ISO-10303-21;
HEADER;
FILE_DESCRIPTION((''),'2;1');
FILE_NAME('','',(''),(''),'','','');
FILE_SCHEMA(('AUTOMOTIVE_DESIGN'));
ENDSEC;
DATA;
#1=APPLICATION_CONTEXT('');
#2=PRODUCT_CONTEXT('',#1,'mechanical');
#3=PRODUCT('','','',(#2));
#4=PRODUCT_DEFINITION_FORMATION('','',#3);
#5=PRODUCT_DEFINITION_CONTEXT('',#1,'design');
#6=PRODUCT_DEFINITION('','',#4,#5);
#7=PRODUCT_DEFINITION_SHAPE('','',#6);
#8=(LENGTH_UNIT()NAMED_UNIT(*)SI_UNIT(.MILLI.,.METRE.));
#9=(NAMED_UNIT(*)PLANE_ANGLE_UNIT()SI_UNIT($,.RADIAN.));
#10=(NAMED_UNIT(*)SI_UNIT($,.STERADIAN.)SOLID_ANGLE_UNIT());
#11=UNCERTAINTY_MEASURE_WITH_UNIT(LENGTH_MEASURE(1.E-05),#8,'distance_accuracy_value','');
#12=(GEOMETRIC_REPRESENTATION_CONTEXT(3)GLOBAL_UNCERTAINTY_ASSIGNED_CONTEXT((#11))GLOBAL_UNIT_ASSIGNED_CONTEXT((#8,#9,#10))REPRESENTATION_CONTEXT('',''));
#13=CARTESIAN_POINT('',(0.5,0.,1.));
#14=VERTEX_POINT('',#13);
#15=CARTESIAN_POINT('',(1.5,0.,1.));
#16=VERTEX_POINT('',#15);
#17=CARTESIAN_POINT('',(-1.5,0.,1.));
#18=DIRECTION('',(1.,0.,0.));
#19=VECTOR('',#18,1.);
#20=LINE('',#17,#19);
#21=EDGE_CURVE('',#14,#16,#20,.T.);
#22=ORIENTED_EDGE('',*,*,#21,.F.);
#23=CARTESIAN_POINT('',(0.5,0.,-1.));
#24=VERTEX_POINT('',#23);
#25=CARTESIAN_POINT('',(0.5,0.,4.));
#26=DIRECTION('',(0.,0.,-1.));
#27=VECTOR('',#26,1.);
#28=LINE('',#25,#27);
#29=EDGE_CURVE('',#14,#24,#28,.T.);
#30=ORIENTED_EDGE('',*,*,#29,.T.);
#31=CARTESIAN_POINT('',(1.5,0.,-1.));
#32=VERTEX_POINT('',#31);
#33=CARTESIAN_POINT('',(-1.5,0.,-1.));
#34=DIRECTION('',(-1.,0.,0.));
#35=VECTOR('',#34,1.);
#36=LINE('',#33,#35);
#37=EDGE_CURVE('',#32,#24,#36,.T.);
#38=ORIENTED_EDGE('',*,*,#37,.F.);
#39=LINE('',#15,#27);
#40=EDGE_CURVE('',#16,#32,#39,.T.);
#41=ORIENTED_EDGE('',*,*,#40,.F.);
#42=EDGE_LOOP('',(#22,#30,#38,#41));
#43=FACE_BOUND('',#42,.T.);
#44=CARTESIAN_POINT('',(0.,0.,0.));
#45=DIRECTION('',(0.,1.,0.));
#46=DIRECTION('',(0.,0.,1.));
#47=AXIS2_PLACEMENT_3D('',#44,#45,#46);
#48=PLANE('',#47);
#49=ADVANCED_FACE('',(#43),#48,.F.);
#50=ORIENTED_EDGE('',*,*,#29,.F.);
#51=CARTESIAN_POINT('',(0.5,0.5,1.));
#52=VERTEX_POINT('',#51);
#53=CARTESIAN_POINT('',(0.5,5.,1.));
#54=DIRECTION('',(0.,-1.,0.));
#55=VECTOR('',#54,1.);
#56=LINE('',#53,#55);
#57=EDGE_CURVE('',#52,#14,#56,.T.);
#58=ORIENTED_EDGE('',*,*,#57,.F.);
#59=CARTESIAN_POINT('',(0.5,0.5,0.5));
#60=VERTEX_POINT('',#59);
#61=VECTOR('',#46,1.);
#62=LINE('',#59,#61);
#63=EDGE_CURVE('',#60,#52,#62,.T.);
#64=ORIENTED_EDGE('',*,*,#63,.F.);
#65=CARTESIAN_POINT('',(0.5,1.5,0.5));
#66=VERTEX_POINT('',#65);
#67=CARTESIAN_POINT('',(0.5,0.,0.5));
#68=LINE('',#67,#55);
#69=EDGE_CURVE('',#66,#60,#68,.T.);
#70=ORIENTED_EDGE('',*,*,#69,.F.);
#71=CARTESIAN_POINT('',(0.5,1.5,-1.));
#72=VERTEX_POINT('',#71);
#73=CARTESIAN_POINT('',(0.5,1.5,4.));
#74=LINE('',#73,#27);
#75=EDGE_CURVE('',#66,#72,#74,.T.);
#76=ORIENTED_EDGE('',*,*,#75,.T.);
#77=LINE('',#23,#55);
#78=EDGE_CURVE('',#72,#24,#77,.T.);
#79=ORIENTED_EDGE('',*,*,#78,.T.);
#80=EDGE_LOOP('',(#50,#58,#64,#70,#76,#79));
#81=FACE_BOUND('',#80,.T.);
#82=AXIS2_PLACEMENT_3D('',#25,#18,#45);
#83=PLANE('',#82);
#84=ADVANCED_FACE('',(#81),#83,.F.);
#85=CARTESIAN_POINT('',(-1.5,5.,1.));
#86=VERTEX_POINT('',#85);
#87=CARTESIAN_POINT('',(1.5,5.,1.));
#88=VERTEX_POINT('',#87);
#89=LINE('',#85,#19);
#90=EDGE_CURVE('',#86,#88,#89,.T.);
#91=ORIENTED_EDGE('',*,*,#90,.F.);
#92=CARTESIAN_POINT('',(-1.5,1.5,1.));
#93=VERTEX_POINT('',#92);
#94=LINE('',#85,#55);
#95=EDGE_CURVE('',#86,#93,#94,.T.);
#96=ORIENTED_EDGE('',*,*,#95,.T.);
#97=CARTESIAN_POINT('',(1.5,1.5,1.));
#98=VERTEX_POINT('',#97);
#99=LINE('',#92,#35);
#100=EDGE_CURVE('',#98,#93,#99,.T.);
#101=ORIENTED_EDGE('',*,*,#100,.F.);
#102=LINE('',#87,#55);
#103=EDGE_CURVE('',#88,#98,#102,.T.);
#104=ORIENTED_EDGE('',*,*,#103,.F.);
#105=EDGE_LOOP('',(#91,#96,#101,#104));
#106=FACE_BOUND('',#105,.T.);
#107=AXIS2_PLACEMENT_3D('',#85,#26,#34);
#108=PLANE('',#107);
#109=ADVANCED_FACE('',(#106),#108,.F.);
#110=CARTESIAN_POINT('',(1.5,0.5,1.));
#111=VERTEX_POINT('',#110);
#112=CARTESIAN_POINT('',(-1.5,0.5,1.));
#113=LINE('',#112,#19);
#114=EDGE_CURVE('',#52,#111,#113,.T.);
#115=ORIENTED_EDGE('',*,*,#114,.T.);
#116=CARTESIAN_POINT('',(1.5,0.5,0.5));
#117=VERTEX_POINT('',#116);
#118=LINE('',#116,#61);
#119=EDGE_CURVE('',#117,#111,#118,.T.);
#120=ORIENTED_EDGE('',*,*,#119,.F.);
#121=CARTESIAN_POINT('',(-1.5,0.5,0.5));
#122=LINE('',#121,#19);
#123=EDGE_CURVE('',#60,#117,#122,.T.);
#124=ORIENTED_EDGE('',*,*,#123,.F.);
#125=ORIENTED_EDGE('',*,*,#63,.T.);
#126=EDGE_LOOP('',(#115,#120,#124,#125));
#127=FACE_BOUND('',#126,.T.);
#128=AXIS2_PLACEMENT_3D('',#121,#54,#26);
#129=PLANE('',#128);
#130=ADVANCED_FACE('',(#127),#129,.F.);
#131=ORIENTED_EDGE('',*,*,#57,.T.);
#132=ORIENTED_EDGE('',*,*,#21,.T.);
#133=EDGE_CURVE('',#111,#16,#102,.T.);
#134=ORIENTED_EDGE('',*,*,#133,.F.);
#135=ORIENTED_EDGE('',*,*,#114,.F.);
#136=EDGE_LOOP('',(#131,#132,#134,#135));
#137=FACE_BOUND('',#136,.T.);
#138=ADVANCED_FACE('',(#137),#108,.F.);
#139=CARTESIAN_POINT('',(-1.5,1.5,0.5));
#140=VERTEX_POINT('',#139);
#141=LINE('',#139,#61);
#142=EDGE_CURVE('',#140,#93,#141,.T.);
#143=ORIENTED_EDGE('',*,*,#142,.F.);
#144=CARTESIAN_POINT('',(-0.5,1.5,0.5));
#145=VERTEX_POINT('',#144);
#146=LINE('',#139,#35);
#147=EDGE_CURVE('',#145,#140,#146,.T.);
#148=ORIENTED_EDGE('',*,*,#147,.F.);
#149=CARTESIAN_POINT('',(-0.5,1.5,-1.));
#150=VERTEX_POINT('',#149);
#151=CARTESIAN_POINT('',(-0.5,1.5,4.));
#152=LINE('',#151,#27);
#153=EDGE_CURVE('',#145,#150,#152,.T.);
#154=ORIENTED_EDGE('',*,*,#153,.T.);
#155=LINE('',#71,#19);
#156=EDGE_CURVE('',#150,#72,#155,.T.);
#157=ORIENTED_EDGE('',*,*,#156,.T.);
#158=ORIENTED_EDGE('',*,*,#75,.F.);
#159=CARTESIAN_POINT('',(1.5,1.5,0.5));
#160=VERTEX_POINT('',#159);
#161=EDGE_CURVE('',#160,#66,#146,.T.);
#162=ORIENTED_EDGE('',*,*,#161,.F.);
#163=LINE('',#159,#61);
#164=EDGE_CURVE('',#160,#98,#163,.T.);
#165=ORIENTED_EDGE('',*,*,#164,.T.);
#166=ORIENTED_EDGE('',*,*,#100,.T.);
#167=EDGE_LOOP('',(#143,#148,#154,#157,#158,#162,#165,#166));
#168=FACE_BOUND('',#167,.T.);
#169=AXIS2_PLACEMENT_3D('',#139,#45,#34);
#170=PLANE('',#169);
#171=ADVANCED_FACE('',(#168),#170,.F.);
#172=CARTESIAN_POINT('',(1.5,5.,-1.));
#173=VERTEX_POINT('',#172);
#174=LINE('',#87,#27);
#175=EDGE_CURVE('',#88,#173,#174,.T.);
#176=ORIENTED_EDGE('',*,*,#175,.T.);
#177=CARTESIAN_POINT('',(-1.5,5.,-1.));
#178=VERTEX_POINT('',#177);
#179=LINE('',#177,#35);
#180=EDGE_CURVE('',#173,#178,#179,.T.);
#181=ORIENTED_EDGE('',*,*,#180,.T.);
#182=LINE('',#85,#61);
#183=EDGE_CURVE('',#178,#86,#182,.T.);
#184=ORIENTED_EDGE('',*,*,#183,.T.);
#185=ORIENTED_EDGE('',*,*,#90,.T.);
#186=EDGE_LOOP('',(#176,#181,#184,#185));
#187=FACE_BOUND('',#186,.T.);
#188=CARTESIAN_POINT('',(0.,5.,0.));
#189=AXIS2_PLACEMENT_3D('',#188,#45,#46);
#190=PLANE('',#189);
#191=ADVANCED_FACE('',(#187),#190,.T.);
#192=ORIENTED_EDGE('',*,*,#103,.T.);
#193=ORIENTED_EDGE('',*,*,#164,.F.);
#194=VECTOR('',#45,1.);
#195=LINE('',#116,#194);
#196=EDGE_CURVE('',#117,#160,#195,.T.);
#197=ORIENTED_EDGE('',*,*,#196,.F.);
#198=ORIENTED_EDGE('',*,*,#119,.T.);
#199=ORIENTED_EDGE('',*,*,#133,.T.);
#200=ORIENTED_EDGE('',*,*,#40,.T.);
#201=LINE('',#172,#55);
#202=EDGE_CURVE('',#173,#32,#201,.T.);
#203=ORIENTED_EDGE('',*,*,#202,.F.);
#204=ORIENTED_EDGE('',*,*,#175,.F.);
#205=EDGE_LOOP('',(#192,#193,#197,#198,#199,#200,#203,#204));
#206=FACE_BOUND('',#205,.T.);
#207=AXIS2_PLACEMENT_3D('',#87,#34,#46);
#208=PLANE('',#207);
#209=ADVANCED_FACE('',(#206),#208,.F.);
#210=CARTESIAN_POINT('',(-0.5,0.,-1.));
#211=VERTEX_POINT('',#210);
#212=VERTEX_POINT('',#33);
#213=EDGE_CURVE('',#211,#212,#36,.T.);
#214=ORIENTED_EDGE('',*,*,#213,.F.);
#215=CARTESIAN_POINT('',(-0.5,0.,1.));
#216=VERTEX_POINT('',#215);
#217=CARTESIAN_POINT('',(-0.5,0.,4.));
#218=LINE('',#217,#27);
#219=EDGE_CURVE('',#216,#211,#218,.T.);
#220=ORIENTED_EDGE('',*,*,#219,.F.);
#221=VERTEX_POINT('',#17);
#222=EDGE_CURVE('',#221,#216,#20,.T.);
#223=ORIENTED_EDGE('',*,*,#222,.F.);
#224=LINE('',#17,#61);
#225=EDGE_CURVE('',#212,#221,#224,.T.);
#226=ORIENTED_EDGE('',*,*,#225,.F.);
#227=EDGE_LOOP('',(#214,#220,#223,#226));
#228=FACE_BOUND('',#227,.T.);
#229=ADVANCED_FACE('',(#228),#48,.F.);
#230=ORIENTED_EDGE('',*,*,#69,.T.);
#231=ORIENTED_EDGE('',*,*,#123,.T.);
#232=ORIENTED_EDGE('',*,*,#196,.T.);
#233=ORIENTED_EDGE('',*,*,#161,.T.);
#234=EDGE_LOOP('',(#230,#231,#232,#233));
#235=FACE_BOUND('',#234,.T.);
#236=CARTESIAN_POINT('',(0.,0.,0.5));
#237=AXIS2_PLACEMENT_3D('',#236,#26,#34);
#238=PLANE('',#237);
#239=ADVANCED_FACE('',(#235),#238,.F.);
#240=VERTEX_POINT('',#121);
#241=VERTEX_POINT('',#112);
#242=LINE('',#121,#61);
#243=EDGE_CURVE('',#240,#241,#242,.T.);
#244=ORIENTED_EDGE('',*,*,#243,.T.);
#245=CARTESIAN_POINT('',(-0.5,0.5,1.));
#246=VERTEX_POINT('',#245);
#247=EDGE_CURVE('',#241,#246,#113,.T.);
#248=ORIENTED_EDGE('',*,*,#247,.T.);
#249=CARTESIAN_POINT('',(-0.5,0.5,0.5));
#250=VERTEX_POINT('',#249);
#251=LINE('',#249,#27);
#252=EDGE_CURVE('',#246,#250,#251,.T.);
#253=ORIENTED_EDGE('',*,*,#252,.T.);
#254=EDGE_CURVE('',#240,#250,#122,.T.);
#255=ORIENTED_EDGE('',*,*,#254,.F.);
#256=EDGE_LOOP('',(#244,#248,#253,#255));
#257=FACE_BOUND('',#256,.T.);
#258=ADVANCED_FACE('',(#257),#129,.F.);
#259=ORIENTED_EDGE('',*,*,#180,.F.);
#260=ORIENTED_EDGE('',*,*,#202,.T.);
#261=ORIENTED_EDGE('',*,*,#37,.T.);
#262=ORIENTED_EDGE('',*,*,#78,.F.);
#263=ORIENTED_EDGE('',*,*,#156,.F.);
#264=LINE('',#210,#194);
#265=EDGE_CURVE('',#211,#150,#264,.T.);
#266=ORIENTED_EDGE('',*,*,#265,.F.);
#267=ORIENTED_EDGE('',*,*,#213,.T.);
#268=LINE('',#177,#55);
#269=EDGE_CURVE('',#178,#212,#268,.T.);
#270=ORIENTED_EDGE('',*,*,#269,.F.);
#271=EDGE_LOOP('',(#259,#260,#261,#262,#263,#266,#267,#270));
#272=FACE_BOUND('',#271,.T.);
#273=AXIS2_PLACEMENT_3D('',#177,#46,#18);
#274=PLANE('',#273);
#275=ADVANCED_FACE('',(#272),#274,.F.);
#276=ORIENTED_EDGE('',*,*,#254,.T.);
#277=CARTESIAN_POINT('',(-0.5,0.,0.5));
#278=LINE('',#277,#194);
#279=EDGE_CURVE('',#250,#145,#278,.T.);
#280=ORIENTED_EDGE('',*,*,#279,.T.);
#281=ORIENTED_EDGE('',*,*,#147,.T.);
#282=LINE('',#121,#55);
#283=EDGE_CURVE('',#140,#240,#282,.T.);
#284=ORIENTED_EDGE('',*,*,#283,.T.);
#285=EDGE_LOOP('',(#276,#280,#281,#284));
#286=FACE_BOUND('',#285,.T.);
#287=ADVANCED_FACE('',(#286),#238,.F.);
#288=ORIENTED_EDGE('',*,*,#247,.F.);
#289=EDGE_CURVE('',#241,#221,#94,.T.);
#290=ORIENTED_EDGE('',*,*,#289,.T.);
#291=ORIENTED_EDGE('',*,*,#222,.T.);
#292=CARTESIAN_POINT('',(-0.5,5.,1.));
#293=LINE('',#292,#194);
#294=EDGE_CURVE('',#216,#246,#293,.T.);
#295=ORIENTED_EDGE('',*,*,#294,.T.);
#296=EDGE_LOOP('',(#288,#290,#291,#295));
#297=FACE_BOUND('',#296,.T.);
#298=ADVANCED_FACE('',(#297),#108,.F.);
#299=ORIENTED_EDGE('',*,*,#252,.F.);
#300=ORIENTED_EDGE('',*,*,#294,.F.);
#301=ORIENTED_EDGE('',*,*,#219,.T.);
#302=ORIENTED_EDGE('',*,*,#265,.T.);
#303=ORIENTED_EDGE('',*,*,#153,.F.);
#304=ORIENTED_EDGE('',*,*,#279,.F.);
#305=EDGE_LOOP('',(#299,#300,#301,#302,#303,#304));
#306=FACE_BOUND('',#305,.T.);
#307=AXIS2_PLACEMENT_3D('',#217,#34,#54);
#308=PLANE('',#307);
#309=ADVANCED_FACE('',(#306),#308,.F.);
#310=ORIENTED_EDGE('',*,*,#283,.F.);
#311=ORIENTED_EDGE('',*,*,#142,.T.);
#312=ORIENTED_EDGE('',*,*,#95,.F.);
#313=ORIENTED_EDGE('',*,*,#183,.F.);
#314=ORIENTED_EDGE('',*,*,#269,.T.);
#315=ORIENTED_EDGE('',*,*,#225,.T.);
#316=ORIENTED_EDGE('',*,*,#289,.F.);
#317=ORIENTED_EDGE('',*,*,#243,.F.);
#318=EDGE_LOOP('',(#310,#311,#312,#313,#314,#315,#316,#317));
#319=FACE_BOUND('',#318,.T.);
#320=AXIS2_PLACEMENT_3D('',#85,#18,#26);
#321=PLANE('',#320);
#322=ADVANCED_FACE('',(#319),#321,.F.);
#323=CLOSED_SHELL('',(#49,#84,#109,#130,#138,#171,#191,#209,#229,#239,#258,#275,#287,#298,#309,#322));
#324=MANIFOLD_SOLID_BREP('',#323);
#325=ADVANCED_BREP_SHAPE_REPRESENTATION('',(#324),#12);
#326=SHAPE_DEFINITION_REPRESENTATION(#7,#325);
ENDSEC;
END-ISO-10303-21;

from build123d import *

# Parameters (mm, degrees)
SKETCH2_W           = 3
SKETCH2_H           = 2
BOSS_EXTRUDE1_DEPTH = 5
SKETCH3_W           = 3
SKETCH3_H           = 1
CUT_EXTRUDE1_DEPTH  = 0.5
SKETCH4_W           = 1
SKETCH4_H           = 1.5
CUT_EXTRUDE2_DEPTH  = 5


with BuildPart() as part:
    # Sketch2 → Boss-Extrude1 (new body)
    with BuildSketch(Plane(origin=(0, 0, 0), x_dir=(1, 0, 0), z_dir=(0, 1, 0))):
        Rectangle(SKETCH2_W, SKETCH2_H)
    extrude(amount=BOSS_EXTRUDE1_DEPTH)

    # Sketch3 → Cut-Extrude1 (cut)
    with BuildSketch(Plane.XY.offset(1)):
        with Locations((0, 1)):
            Rectangle(SKETCH3_W, SKETCH3_H)
    extrude(amount=-CUT_EXTRUDE1_DEPTH, mode=Mode.SUBTRACT)

    # Sketch4 → Cut-Extrude2 (cut)
    with BuildSketch(Plane(origin=(0, 0, -1), x_dir=(-1, 0, 0), z_dir=(0, 0, -1))):
        with Locations((0, 0.75)):
            Rectangle(SKETCH4_W, SKETCH4_H)
    extrude(amount=-CUT_EXTRUDE2_DEPTH, mode=Mode.SUBTRACT)


solid = part.part
